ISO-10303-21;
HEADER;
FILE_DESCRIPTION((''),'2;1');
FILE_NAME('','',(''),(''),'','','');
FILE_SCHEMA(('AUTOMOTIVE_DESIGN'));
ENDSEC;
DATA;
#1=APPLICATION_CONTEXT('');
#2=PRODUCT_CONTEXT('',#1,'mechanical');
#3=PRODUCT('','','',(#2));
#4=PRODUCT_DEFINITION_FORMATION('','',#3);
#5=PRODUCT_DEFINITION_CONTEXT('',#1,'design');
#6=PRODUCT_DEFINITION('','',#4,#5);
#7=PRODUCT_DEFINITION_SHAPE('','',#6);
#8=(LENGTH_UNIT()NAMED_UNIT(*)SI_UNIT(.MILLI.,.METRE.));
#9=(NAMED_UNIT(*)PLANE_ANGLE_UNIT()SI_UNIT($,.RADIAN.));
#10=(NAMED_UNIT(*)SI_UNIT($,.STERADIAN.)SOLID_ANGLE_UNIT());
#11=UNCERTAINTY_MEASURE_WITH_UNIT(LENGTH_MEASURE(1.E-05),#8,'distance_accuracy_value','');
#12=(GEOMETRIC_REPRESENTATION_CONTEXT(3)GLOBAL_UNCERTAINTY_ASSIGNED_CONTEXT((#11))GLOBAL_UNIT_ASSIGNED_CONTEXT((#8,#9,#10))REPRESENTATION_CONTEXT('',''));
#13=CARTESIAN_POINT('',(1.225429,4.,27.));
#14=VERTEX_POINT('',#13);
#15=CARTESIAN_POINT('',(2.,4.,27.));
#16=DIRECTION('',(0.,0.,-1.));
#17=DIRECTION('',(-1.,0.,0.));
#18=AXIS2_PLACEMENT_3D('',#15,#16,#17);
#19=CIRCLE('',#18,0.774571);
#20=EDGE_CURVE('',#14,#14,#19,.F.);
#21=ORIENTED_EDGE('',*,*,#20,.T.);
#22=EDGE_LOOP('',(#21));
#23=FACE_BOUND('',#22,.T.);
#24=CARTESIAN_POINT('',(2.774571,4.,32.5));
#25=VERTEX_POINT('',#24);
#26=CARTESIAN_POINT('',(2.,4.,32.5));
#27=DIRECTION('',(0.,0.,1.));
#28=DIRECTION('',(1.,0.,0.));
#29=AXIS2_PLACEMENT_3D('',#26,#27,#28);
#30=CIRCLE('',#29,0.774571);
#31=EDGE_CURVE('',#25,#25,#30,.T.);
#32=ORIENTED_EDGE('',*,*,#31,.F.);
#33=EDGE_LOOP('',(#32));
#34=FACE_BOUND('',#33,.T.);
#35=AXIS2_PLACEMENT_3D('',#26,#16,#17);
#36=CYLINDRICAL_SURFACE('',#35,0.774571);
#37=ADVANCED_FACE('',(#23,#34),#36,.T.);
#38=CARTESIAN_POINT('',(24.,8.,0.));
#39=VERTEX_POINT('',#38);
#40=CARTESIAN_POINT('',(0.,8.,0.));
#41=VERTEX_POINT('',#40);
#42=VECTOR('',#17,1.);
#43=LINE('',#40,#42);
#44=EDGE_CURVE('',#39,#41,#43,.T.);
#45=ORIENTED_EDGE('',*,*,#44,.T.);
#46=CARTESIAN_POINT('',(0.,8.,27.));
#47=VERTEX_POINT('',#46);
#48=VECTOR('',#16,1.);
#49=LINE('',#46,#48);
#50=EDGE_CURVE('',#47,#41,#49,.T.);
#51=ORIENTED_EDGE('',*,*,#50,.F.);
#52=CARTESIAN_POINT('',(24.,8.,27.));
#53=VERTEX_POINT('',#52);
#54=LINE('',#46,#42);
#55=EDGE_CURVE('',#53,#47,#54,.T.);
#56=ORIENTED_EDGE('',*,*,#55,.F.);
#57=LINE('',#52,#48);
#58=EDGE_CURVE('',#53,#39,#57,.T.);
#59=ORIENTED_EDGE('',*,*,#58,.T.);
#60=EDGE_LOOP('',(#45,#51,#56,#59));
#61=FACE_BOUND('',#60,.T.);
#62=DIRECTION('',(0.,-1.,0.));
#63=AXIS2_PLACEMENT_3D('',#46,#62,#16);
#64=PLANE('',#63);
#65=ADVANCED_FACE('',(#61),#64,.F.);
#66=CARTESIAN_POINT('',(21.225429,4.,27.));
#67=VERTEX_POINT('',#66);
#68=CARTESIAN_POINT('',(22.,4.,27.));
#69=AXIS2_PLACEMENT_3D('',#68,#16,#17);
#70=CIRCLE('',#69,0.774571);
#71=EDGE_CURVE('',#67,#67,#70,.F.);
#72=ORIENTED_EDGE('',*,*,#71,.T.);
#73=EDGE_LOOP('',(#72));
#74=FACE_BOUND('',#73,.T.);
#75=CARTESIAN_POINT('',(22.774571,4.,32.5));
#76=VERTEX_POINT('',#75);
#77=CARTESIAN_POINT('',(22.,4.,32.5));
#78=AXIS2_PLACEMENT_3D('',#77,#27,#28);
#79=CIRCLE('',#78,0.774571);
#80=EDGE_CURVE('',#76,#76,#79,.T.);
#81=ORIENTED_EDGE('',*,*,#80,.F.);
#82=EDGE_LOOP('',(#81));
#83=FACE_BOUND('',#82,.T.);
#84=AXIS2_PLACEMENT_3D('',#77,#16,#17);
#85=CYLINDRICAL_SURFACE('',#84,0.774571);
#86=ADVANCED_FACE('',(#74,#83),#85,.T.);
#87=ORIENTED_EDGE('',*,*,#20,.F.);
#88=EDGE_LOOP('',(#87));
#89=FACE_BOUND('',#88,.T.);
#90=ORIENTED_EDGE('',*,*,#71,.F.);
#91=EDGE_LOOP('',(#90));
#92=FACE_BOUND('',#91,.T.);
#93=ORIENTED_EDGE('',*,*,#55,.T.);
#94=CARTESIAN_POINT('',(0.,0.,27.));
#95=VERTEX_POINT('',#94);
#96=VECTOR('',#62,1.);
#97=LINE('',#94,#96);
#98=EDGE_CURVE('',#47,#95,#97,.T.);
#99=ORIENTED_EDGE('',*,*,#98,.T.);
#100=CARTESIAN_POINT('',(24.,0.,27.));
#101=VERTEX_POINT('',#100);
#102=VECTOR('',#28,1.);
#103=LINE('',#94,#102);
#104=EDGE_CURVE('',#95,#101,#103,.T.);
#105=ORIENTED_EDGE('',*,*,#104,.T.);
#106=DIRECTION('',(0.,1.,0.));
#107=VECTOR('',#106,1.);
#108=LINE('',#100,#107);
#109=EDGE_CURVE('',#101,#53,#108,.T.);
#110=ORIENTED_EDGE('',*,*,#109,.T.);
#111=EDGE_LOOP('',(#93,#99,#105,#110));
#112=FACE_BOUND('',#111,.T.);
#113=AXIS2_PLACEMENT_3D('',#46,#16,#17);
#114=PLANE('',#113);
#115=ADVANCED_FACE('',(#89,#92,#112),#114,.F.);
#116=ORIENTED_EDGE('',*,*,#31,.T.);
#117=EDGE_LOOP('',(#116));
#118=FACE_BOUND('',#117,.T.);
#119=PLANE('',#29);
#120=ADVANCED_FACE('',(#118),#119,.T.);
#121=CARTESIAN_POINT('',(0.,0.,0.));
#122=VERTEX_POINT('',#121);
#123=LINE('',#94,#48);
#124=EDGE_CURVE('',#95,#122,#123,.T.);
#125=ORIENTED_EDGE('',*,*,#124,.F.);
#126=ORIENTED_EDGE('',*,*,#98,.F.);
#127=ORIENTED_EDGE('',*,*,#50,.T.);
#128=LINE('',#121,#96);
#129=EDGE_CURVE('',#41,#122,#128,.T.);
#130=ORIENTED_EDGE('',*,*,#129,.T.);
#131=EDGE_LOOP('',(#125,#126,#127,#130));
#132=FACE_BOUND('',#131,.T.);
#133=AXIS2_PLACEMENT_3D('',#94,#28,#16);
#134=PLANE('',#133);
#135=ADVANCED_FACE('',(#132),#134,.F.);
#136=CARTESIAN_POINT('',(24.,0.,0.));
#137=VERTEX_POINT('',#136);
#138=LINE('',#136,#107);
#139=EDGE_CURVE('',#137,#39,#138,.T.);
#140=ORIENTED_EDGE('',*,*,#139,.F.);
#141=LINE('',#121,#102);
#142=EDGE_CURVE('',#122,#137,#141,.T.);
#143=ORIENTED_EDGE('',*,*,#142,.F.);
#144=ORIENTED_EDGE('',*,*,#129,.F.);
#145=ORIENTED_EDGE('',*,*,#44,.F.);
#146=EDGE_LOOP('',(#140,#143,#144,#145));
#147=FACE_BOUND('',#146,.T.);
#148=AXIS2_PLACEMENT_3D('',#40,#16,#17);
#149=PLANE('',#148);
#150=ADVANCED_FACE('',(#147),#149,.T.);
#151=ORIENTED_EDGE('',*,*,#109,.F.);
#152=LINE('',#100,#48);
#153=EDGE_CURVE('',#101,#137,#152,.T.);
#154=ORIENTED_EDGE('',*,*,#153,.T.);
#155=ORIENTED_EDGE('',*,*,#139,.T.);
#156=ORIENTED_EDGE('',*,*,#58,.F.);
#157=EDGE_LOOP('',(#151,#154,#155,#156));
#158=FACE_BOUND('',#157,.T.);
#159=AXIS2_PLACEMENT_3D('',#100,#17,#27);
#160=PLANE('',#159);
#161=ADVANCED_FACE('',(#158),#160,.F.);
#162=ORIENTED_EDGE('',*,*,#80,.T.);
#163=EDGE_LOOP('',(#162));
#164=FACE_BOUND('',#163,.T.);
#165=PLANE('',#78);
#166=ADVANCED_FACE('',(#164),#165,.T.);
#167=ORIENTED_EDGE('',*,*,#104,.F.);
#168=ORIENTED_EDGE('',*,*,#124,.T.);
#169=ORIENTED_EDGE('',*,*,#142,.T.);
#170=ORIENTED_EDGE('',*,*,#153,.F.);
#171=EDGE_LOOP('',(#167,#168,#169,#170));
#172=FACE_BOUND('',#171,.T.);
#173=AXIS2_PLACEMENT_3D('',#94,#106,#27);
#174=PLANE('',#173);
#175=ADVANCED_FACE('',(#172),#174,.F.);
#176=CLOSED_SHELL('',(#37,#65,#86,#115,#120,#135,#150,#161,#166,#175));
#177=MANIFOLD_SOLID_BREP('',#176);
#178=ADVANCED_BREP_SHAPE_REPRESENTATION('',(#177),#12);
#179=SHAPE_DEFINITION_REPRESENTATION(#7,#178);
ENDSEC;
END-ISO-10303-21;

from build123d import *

# Parameters (mm, degrees)
SKETCH_1_W      = 24
SKETCH_1_H      = 8
EXTRUDE_1_DEPTH = 27
SKETCH_2_R      = 0.77457148
EXTRUDE_2_DEPTH = 5.5


with BuildPart() as part:
    # Эскиз1 → Вытянуть1 (new body)
    with BuildSketch(Plane.XY):
        with Locations((12, 4)):
            Rectangle(SKETCH_1_W, SKETCH_1_H)
    extrude(amount=EXTRUDE_1_DEPTH)

    # Эскиз2 → Вытянуть2 (add)
    with BuildSketch(Plane.XY.offset(27)):
        with Locations(Location((2, 4, 0), (0, 0, 180))):
            Circle(SKETCH_2_R)
        with Locations(Location((22, 4, 0), (0, 0, 180))):
            Circle(SKETCH_2_R)
    extrude(amount=EXTRUDE_2_DEPTH)


solid = part.part
